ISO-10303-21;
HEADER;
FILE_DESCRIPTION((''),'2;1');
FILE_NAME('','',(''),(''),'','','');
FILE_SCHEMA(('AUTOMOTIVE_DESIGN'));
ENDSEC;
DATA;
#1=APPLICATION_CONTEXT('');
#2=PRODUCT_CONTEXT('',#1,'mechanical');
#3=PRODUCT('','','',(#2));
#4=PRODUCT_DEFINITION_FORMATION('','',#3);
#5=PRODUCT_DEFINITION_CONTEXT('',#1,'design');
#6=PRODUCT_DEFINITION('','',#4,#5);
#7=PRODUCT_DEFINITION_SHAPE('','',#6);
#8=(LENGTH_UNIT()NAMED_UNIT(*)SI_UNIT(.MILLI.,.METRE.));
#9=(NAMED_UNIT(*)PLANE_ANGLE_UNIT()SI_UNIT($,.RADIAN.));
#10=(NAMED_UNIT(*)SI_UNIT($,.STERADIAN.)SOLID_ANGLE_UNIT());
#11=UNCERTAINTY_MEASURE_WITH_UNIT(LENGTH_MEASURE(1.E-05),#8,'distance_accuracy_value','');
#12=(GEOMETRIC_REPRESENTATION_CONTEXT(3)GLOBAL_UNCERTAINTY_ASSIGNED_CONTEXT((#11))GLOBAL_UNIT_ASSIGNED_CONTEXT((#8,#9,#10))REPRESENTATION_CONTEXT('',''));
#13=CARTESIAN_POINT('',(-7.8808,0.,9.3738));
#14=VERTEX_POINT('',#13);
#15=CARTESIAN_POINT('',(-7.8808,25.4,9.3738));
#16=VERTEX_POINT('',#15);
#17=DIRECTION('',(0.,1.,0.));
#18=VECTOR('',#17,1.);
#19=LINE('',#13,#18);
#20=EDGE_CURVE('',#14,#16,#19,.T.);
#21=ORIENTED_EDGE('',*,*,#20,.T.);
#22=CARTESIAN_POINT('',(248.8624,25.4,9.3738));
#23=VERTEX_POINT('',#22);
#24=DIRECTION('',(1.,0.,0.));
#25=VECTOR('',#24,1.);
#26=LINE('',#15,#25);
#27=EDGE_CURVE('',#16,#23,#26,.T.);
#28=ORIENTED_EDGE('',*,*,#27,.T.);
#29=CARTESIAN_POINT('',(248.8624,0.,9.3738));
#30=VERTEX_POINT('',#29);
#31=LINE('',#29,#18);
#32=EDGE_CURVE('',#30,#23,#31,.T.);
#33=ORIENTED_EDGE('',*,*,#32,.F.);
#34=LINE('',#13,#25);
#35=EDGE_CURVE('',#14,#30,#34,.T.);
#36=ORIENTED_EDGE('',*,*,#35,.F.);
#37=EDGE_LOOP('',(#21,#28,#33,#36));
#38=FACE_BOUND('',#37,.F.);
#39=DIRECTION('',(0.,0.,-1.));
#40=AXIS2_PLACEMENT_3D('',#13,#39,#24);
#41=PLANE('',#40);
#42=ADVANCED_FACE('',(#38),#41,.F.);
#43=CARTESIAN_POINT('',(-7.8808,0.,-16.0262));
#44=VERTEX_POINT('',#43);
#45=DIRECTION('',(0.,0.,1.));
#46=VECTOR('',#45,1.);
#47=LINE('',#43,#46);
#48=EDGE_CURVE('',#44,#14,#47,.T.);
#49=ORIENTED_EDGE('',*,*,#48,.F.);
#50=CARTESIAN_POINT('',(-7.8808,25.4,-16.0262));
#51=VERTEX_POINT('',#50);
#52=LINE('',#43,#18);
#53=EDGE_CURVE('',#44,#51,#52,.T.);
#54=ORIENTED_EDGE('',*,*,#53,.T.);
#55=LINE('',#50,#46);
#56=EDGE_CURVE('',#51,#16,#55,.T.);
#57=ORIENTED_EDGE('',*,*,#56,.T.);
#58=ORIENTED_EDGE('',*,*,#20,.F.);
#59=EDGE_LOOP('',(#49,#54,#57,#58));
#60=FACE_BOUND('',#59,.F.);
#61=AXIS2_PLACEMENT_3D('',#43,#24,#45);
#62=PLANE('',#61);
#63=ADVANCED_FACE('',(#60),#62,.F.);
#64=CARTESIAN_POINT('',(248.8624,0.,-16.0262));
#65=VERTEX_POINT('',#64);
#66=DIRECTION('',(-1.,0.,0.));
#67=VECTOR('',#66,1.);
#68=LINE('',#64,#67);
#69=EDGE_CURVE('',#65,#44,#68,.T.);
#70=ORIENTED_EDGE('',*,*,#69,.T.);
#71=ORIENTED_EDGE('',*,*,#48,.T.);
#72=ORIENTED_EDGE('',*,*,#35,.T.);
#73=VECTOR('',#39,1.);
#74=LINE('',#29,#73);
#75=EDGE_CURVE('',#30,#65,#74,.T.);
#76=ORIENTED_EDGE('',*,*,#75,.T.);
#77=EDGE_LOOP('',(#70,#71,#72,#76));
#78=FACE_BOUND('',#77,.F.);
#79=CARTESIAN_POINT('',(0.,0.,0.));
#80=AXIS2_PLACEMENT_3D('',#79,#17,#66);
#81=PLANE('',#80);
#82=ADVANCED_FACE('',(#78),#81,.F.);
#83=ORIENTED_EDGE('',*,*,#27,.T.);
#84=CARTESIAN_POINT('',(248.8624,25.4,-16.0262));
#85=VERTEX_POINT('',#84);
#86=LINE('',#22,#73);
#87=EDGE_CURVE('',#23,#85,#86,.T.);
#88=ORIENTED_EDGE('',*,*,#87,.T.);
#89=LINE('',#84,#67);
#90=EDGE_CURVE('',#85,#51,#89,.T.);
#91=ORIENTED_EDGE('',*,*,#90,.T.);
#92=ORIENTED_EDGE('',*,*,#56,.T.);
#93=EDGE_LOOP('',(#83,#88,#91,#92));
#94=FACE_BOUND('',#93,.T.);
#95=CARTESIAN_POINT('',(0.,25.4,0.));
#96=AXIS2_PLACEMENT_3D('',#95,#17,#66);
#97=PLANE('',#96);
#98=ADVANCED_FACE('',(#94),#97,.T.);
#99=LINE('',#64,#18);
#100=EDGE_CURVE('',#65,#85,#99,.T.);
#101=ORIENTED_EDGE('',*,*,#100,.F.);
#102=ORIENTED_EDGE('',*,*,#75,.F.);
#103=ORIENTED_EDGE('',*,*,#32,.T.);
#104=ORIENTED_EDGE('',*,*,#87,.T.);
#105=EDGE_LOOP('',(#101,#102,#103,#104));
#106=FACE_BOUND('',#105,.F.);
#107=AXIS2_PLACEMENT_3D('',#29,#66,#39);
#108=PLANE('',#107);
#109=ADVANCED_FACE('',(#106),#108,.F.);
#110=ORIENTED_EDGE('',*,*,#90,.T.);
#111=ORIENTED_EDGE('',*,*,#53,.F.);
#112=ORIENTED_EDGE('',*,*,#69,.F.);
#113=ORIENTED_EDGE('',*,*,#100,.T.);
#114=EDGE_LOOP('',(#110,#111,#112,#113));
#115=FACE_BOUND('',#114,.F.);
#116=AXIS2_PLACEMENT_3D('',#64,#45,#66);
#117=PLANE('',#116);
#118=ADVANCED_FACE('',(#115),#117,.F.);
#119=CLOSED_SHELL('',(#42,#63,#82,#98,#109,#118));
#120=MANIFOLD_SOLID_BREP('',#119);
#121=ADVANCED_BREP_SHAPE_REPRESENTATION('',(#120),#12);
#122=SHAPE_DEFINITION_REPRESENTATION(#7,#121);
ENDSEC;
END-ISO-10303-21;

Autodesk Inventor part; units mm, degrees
ref_plane "YZ Plane" through (0, 0, 0) normal (1, 0, 0) x (0, 1, 0)
ref_plane "XZ Plane" through (0, 0, 0) normal (0, 1, 0) x (-1, 0, 0)
ref_plane "XY Plane" through (0, 0, 0) normal (0, 0, 1) x (1, 0, 0)
sketch "Sketch1" plane through (0, 0, 0) normal (0, 1, 0) x (-1, 0, 0)
  line L0 (7.8808, 9.3738) -> (-248.8624, 9.3738)
  line L1 (-248.8624, 9.3738) -> (-248.8624, -16.0262)
  line L2 (-248.8624, -16.0262) -> (7.8808, -16.0262)
  line L3 (7.8808, -16.0262) -> (7.8808, 9.3738)
  point P0 (0, 0)
  dimension "d0" = 25.4
  dimension "d1" = 256.7432
extrude "Extrusion1" add sketch "Sketch1" along normal blind 25.4
properties part number "Yarm"
